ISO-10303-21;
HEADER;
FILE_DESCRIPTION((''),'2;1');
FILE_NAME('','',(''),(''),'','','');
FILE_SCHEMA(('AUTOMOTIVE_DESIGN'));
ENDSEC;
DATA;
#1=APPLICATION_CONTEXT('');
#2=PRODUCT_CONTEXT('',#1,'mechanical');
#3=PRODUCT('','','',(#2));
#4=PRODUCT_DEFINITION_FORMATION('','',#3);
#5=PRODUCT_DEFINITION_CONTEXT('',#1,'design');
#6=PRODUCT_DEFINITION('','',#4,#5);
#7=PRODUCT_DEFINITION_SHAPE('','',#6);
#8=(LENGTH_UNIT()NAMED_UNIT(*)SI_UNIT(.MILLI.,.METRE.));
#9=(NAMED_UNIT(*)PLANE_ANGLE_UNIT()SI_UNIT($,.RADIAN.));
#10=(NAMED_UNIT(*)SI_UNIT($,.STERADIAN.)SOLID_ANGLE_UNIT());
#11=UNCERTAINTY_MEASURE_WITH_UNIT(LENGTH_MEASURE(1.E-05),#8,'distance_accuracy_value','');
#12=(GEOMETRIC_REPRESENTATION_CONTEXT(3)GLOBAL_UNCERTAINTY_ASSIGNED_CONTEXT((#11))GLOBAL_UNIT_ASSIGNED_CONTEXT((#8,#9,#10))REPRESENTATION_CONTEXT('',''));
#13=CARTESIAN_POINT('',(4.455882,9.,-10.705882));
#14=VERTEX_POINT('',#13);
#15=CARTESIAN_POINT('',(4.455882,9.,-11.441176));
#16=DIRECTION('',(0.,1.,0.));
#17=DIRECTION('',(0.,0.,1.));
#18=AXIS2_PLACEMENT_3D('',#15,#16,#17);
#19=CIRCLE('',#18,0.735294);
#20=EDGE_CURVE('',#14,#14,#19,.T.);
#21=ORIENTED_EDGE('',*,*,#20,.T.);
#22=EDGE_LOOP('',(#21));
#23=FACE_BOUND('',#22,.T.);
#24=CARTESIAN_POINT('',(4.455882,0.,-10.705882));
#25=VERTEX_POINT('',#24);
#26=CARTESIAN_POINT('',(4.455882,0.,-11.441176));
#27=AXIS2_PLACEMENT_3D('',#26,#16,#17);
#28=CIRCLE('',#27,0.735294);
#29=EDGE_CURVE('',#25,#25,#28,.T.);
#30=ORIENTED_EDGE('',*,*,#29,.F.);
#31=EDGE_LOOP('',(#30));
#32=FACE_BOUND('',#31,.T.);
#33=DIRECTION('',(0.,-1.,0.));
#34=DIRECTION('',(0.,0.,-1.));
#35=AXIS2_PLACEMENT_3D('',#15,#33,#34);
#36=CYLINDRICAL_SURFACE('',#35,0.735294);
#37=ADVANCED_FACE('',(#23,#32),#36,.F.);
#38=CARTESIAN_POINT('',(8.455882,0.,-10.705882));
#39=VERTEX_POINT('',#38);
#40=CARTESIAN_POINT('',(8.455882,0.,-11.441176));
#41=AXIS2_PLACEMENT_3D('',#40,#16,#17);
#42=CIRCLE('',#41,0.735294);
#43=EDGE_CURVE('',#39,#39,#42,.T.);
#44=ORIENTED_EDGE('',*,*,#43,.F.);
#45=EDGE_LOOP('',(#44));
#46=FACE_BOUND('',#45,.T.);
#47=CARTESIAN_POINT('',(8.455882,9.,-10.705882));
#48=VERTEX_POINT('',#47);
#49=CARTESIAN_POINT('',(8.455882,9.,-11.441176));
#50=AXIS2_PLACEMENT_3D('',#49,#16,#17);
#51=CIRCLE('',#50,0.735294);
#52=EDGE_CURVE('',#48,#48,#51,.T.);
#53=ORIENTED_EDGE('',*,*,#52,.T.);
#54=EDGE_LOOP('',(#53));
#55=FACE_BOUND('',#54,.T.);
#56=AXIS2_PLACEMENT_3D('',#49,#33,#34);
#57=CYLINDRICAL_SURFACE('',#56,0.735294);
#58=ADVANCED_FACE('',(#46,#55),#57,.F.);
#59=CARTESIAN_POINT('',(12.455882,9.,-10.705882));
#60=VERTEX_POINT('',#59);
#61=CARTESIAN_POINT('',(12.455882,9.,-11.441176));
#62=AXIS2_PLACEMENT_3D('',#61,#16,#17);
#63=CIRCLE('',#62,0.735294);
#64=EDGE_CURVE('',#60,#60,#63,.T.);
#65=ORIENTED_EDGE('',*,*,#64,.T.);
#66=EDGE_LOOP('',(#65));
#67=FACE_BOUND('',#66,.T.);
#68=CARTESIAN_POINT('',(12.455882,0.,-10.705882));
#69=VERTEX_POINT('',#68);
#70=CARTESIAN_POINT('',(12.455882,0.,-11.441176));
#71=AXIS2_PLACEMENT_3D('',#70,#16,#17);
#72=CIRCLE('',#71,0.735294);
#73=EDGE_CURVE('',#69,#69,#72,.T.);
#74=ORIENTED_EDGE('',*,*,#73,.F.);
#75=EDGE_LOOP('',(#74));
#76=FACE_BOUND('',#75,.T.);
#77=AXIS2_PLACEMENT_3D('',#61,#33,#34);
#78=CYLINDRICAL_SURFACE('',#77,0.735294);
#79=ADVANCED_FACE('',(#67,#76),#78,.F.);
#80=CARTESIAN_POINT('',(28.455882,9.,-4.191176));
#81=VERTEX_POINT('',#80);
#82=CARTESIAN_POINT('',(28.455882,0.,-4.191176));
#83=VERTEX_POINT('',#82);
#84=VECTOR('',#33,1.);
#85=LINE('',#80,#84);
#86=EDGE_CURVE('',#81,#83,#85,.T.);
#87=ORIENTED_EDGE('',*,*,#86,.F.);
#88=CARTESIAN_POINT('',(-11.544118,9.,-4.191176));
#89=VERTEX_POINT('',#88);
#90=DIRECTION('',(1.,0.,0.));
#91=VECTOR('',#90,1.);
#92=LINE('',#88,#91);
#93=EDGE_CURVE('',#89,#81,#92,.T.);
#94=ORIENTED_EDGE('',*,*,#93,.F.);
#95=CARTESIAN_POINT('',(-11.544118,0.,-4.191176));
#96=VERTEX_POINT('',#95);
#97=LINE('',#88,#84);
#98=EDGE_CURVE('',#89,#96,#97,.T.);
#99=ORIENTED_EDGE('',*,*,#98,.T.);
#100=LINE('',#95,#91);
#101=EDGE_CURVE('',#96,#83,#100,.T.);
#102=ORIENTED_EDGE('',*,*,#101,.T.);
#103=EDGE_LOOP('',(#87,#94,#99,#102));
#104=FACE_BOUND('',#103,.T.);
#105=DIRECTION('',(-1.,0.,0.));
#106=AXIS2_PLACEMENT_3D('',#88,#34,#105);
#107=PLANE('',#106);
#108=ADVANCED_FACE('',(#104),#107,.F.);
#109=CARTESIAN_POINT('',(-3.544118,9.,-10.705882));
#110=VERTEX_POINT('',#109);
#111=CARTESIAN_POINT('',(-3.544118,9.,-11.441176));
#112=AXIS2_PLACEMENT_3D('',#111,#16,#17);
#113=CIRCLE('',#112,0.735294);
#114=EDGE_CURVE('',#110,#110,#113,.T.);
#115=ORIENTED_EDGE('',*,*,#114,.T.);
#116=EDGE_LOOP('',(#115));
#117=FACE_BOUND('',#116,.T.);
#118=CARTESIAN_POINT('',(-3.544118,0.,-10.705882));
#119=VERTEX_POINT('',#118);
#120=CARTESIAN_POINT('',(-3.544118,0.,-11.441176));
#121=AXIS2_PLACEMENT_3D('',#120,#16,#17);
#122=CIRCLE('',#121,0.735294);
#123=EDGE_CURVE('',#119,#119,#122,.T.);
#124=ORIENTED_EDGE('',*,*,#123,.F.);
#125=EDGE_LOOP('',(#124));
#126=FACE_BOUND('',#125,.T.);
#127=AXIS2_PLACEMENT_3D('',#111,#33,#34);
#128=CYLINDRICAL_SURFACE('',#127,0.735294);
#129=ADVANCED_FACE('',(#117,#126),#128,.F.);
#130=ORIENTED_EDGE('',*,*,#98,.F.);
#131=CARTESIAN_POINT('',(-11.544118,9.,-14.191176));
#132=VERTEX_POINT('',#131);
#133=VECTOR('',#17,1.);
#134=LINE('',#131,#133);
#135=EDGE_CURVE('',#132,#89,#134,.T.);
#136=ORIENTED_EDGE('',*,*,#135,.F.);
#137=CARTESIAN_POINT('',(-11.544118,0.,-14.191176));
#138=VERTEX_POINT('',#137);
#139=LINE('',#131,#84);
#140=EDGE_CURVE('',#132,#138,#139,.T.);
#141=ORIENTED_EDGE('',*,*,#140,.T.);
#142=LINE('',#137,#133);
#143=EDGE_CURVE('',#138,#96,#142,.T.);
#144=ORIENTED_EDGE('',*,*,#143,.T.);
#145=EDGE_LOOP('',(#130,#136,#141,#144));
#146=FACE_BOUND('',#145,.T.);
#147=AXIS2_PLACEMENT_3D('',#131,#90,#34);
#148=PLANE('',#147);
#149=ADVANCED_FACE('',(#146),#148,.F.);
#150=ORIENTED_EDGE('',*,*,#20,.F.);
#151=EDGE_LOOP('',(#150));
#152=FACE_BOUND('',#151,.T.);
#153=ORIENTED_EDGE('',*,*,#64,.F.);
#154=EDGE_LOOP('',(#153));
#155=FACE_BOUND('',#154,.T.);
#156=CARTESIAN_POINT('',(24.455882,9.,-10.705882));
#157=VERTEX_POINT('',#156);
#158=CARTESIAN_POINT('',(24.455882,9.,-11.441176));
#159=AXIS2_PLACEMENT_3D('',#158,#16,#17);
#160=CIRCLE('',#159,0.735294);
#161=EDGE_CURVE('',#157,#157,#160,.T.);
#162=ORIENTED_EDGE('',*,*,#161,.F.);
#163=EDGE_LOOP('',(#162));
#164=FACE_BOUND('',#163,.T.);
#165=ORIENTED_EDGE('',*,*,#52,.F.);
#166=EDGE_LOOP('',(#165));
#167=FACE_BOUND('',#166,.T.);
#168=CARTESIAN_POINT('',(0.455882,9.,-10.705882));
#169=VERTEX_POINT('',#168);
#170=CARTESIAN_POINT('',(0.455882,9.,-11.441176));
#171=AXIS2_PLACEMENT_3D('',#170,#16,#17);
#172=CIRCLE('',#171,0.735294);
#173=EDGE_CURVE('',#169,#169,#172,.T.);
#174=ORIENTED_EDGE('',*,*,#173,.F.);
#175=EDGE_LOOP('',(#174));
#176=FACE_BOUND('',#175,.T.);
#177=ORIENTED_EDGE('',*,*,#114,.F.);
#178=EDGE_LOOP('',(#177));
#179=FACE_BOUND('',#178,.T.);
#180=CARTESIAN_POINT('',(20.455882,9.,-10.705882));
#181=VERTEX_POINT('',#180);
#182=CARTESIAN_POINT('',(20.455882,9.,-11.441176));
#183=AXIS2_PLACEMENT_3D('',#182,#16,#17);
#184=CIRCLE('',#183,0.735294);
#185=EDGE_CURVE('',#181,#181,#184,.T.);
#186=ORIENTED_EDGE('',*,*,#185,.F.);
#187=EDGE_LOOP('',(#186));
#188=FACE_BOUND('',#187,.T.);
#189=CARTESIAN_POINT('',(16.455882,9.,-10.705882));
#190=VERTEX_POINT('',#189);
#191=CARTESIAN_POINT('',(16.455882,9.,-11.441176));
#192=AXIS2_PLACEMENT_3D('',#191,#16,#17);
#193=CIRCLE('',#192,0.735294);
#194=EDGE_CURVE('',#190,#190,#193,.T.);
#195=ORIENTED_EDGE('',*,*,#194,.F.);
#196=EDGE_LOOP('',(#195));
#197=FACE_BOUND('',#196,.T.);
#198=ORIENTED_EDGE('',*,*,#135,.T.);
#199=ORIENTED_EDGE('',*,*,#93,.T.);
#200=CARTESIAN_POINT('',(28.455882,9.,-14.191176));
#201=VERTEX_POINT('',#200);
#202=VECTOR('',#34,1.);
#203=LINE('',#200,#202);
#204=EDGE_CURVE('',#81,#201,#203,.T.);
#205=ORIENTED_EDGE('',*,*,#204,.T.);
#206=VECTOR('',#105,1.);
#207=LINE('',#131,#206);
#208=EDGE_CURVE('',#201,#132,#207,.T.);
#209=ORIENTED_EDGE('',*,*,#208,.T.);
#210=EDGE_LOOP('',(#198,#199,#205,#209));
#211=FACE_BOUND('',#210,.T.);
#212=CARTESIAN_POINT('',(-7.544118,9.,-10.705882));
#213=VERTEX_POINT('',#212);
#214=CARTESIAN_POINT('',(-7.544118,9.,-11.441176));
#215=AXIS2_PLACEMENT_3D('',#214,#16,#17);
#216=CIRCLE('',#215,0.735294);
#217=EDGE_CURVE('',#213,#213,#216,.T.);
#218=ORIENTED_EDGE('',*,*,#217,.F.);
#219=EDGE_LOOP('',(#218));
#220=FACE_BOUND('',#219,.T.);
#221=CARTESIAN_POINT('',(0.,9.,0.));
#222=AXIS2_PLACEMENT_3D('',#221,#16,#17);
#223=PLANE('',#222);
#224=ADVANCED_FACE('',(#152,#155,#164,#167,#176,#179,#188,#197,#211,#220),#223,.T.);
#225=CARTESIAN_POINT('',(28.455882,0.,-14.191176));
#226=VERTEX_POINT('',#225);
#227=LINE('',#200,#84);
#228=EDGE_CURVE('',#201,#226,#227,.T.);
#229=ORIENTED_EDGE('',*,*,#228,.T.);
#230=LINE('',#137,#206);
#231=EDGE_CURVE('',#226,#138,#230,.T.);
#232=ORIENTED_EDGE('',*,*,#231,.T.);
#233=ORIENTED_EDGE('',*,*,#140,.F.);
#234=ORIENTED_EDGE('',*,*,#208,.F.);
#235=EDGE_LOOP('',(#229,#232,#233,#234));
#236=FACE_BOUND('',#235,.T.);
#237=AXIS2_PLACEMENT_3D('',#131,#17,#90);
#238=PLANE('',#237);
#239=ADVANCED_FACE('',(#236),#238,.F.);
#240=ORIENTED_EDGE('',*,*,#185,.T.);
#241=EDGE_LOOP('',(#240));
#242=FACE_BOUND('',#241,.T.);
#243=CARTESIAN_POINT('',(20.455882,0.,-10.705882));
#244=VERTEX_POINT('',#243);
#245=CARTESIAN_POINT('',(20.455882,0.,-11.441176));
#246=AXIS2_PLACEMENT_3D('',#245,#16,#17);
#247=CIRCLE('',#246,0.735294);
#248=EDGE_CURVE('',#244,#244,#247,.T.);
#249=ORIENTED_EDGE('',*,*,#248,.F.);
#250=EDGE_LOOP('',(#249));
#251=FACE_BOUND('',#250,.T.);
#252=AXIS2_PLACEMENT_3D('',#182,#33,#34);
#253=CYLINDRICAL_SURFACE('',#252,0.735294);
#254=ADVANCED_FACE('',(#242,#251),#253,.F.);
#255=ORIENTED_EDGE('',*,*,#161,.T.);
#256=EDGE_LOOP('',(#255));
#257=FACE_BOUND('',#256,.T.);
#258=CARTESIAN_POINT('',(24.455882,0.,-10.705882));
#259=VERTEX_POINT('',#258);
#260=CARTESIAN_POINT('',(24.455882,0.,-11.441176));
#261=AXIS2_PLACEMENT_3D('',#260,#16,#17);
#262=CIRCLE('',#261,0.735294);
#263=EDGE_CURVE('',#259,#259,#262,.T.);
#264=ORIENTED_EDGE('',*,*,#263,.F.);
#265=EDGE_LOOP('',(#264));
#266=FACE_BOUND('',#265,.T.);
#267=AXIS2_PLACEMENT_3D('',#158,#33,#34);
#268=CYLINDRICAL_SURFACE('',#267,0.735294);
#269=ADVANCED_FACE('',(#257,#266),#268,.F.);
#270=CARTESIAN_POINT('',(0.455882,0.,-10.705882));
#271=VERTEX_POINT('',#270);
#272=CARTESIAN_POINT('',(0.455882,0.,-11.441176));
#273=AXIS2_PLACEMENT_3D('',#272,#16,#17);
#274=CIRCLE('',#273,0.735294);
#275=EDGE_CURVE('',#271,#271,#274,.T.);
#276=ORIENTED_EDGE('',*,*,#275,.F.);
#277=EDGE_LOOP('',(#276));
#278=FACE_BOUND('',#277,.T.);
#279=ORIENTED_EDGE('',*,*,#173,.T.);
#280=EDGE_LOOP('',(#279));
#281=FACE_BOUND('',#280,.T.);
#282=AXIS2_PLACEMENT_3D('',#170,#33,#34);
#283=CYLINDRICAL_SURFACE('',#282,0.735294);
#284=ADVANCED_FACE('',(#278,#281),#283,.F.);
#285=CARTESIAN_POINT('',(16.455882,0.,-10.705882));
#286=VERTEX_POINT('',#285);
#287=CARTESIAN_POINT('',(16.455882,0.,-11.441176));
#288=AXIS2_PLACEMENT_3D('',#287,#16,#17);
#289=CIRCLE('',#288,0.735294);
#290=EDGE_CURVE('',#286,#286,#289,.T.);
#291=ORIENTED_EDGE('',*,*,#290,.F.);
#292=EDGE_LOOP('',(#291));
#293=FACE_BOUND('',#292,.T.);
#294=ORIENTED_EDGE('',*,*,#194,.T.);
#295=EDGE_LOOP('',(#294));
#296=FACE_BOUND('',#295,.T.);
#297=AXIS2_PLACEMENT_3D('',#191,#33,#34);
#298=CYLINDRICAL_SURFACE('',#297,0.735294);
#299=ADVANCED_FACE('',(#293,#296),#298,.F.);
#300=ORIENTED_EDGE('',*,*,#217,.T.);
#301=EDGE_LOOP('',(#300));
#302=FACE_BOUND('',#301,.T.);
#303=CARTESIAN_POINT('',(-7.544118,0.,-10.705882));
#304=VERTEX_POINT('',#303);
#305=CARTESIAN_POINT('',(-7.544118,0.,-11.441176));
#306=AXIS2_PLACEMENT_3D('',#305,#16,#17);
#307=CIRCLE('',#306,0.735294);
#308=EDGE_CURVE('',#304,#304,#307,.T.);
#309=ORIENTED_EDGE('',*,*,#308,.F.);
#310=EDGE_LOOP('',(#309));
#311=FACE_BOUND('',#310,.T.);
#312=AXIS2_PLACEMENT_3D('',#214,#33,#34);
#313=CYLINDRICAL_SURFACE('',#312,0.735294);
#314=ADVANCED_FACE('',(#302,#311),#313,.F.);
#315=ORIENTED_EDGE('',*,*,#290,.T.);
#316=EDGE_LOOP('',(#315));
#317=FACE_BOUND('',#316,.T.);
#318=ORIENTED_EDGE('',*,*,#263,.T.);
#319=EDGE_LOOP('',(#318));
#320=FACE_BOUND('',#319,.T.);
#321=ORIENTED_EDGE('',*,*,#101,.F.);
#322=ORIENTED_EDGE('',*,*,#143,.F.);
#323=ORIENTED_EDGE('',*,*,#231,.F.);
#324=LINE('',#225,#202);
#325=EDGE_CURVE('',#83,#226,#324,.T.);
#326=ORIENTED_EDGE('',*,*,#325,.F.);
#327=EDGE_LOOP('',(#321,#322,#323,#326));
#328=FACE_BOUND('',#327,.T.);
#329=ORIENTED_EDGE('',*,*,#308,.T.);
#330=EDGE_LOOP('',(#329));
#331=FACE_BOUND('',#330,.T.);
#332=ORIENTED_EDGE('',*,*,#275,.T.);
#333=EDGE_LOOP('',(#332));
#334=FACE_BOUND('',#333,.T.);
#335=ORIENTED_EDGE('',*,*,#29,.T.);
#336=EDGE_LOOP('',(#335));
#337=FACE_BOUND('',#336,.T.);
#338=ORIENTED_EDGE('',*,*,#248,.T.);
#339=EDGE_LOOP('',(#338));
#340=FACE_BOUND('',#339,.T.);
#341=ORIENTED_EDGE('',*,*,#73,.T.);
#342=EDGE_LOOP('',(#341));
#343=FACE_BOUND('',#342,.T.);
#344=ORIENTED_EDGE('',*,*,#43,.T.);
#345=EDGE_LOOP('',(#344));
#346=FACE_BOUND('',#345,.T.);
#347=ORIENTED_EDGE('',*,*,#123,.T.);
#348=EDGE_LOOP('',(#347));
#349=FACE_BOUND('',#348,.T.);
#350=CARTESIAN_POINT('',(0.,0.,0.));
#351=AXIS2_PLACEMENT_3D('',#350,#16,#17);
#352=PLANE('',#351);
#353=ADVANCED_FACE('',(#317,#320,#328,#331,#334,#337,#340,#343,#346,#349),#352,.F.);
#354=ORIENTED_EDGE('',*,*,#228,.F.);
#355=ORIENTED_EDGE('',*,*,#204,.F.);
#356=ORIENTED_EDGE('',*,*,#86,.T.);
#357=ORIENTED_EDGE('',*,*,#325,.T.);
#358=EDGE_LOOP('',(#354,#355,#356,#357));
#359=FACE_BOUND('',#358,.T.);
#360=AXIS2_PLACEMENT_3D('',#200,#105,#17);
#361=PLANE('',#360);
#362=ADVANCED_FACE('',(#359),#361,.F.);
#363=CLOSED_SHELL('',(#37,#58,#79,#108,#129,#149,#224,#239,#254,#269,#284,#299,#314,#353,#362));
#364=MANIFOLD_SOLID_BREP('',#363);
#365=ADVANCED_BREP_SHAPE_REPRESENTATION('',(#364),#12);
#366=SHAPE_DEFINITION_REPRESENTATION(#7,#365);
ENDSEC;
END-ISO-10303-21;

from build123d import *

# Parameters (mm, degrees)
SKETCH1_W           = 40
SKETCH1_H           = 10
SKETCH1_R           = 0.735294118
BOSS_EXTRUDE1_DEPTH = 9


with BuildPart() as part:
    # Sketch1 → Boss-Extrude1 (new body)
    with BuildSketch(Plane(origin=(0, 0, 0), x_dir=(1, 0, 0), z_dir=(0, 1, 0))):
        with Locations((8.455882353, 9.191176471)):
            Rectangle(SKETCH1_W, SKETCH1_H)
        with Locations(Location((24.455882353, 11.441176471, 0), (0, 0, 270))):
            Circle(SKETCH1_R, mode=Mode.SUBTRACT)
        with Locations(Location((20.455882353, 11.441176471, 0), (0, 0, 270))):
            Circle(SKETCH1_R, mode=Mode.SUBTRACT)
        with Locations(Location((16.455882353, 11.441176471, 0), (0, 0, 270))):
            Circle(SKETCH1_R, mode=Mode.SUBTRACT)
        with Locations(Location((12.455882353, 11.441176471, 0), (0, 0, 270))):
            Circle(SKETCH1_R, mode=Mode.SUBTRACT)
        with Locations(Location((8.455882353, 11.441176471, 0), (0, 0, 270))):
            Circle(SKETCH1_R, mode=Mode.SUBTRACT)
        with Locations(Location((4.455882353, 11.441176471, 0), (0, 0, 270))):
            Circle(SKETCH1_R, mode=Mode.SUBTRACT)
        with Locations(Location((0.455882353, 11.441176471, 0), (0, 0, 270))):
            Circle(SKETCH1_R, mode=Mode.SUBTRACT)
        with Locations(Location((-3.544117647, 11.441176471, 0), (0, 0, 270))):
            Circle(SKETCH1_R, mode=Mode.SUBTRACT)
        with Locations(Location((-7.544117647, 11.441176471, 0), (0, 0, 270))):
            Circle(SKETCH1_R, mode=Mode.SUBTRACT)
    extrude(amount=BOSS_EXTRUDE1_DEPTH)


solid = part.part
